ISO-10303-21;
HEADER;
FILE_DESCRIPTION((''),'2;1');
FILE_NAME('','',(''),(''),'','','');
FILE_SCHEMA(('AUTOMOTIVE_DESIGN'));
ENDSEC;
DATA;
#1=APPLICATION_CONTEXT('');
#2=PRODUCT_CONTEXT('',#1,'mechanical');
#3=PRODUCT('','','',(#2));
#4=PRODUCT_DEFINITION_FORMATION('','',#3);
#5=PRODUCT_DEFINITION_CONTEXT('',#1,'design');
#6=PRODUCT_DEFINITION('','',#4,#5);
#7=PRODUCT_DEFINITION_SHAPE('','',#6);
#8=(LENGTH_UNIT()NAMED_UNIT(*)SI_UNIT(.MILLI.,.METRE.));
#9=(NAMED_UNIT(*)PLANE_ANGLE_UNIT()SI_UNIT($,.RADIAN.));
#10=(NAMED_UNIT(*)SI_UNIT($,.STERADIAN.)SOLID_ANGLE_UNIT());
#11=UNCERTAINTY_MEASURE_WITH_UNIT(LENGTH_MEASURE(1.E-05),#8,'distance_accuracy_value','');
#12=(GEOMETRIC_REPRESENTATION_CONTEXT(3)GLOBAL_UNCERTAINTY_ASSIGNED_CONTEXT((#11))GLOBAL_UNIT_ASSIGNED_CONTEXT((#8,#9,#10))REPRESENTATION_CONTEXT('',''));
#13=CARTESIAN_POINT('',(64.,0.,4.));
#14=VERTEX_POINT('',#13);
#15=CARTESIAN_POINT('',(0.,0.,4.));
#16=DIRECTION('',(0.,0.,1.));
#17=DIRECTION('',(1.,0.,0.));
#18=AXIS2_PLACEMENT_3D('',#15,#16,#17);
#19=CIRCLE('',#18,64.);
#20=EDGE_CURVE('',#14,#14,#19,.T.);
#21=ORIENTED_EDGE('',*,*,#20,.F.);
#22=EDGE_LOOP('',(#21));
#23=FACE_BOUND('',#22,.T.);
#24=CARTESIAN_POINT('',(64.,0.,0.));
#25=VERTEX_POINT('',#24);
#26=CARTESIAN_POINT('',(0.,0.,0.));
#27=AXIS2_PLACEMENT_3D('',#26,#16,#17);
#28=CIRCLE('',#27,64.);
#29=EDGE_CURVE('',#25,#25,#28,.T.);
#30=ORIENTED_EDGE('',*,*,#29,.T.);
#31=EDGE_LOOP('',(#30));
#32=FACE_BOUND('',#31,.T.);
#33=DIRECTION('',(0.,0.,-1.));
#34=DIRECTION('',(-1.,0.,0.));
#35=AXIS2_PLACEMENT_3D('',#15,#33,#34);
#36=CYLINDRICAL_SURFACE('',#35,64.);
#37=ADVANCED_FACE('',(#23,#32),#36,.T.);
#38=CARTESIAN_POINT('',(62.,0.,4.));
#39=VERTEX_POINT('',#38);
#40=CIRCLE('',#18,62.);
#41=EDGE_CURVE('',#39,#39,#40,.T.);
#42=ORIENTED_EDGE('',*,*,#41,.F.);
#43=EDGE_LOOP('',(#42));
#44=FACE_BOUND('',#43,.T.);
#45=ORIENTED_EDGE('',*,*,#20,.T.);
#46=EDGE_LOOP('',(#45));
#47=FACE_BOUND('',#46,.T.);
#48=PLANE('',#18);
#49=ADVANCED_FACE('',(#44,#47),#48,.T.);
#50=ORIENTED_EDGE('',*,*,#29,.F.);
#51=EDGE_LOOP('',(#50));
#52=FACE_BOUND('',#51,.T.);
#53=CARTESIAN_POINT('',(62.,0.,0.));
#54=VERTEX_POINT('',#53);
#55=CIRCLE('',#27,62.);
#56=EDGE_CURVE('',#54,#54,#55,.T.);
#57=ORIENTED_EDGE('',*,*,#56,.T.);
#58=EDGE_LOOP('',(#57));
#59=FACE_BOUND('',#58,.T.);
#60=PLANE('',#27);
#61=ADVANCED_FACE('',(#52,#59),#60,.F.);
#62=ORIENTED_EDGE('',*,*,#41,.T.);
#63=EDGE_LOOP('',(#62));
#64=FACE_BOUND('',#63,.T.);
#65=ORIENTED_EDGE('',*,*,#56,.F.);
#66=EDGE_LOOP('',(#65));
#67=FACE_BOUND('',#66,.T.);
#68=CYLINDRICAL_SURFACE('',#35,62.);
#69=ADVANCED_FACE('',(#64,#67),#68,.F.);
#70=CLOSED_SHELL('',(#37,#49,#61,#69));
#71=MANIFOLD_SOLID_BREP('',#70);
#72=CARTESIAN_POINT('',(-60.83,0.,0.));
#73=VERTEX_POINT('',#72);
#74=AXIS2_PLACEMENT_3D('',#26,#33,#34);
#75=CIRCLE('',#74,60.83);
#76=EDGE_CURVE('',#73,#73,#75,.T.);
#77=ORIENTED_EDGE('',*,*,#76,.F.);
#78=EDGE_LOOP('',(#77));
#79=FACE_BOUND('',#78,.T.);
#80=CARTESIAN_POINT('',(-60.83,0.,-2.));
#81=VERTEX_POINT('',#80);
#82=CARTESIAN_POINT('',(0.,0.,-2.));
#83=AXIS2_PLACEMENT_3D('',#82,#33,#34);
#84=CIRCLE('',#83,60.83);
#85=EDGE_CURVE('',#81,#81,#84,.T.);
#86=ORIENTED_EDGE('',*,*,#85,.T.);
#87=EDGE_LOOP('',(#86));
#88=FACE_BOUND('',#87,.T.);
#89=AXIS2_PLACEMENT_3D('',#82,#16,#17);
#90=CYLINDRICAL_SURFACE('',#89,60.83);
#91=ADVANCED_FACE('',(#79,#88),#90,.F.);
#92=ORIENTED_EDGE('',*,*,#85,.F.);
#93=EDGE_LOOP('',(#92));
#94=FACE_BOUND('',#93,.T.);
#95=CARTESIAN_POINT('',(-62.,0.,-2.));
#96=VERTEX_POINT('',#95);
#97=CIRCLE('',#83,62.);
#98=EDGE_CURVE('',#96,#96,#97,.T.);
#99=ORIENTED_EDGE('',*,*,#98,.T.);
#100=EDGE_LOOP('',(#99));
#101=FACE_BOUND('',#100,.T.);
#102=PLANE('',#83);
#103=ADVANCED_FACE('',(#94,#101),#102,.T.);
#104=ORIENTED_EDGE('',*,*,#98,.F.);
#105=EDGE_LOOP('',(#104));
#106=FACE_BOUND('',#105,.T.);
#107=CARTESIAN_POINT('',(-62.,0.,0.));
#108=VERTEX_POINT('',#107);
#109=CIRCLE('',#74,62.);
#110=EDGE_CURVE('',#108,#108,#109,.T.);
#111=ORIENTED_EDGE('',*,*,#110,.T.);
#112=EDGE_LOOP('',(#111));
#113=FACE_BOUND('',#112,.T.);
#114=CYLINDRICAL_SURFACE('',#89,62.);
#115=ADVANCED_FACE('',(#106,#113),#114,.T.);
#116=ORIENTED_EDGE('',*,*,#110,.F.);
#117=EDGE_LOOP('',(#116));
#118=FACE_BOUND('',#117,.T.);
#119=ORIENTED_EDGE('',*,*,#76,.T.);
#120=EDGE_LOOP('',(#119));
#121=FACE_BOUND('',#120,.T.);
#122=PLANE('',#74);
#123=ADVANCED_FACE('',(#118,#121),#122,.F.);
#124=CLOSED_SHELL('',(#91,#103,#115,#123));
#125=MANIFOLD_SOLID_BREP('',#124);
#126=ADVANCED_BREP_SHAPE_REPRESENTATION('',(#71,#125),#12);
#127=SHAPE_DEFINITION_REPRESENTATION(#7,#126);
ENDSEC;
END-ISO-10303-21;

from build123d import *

# Parameters (mm, degrees)
SKETCH1_R           = 64
SKETCH1_R_2         = 62
BOSS_EXTRUDE1_DEPTH = 4
BOSS_EXTRUDE2_START = 2
SKETCH2_R           = 62
SKETCH2_R_2         = 60.83
BOSS_EXTRUDE2_DEPTH = 2


with BuildPart() as part:
    # Sketch1 → Boss-Extrude1 (new body)
    with BuildSketch(Plane.XY):
        Circle(SKETCH1_R)
        Circle(SKETCH1_R_2, mode=Mode.SUBTRACT)
    extrude(amount=BOSS_EXTRUDE1_DEPTH)


with BuildPart() as body_2:
    # Sketch2 → Boss-Extrude2 (new body)
    with BuildSketch(Plane(origin=(0, 0, 0), x_dir=(-1, 0, 0), z_dir=(0, 0, -1)).offset(BOSS_EXTRUDE2_START)):
        Circle(SKETCH2_R)
        Circle(SKETCH2_R_2, mode=Mode.SUBTRACT)
    extrude(amount=-BOSS_EXTRUDE2_DEPTH)


solid = Compound([part.part, body_2.part])
